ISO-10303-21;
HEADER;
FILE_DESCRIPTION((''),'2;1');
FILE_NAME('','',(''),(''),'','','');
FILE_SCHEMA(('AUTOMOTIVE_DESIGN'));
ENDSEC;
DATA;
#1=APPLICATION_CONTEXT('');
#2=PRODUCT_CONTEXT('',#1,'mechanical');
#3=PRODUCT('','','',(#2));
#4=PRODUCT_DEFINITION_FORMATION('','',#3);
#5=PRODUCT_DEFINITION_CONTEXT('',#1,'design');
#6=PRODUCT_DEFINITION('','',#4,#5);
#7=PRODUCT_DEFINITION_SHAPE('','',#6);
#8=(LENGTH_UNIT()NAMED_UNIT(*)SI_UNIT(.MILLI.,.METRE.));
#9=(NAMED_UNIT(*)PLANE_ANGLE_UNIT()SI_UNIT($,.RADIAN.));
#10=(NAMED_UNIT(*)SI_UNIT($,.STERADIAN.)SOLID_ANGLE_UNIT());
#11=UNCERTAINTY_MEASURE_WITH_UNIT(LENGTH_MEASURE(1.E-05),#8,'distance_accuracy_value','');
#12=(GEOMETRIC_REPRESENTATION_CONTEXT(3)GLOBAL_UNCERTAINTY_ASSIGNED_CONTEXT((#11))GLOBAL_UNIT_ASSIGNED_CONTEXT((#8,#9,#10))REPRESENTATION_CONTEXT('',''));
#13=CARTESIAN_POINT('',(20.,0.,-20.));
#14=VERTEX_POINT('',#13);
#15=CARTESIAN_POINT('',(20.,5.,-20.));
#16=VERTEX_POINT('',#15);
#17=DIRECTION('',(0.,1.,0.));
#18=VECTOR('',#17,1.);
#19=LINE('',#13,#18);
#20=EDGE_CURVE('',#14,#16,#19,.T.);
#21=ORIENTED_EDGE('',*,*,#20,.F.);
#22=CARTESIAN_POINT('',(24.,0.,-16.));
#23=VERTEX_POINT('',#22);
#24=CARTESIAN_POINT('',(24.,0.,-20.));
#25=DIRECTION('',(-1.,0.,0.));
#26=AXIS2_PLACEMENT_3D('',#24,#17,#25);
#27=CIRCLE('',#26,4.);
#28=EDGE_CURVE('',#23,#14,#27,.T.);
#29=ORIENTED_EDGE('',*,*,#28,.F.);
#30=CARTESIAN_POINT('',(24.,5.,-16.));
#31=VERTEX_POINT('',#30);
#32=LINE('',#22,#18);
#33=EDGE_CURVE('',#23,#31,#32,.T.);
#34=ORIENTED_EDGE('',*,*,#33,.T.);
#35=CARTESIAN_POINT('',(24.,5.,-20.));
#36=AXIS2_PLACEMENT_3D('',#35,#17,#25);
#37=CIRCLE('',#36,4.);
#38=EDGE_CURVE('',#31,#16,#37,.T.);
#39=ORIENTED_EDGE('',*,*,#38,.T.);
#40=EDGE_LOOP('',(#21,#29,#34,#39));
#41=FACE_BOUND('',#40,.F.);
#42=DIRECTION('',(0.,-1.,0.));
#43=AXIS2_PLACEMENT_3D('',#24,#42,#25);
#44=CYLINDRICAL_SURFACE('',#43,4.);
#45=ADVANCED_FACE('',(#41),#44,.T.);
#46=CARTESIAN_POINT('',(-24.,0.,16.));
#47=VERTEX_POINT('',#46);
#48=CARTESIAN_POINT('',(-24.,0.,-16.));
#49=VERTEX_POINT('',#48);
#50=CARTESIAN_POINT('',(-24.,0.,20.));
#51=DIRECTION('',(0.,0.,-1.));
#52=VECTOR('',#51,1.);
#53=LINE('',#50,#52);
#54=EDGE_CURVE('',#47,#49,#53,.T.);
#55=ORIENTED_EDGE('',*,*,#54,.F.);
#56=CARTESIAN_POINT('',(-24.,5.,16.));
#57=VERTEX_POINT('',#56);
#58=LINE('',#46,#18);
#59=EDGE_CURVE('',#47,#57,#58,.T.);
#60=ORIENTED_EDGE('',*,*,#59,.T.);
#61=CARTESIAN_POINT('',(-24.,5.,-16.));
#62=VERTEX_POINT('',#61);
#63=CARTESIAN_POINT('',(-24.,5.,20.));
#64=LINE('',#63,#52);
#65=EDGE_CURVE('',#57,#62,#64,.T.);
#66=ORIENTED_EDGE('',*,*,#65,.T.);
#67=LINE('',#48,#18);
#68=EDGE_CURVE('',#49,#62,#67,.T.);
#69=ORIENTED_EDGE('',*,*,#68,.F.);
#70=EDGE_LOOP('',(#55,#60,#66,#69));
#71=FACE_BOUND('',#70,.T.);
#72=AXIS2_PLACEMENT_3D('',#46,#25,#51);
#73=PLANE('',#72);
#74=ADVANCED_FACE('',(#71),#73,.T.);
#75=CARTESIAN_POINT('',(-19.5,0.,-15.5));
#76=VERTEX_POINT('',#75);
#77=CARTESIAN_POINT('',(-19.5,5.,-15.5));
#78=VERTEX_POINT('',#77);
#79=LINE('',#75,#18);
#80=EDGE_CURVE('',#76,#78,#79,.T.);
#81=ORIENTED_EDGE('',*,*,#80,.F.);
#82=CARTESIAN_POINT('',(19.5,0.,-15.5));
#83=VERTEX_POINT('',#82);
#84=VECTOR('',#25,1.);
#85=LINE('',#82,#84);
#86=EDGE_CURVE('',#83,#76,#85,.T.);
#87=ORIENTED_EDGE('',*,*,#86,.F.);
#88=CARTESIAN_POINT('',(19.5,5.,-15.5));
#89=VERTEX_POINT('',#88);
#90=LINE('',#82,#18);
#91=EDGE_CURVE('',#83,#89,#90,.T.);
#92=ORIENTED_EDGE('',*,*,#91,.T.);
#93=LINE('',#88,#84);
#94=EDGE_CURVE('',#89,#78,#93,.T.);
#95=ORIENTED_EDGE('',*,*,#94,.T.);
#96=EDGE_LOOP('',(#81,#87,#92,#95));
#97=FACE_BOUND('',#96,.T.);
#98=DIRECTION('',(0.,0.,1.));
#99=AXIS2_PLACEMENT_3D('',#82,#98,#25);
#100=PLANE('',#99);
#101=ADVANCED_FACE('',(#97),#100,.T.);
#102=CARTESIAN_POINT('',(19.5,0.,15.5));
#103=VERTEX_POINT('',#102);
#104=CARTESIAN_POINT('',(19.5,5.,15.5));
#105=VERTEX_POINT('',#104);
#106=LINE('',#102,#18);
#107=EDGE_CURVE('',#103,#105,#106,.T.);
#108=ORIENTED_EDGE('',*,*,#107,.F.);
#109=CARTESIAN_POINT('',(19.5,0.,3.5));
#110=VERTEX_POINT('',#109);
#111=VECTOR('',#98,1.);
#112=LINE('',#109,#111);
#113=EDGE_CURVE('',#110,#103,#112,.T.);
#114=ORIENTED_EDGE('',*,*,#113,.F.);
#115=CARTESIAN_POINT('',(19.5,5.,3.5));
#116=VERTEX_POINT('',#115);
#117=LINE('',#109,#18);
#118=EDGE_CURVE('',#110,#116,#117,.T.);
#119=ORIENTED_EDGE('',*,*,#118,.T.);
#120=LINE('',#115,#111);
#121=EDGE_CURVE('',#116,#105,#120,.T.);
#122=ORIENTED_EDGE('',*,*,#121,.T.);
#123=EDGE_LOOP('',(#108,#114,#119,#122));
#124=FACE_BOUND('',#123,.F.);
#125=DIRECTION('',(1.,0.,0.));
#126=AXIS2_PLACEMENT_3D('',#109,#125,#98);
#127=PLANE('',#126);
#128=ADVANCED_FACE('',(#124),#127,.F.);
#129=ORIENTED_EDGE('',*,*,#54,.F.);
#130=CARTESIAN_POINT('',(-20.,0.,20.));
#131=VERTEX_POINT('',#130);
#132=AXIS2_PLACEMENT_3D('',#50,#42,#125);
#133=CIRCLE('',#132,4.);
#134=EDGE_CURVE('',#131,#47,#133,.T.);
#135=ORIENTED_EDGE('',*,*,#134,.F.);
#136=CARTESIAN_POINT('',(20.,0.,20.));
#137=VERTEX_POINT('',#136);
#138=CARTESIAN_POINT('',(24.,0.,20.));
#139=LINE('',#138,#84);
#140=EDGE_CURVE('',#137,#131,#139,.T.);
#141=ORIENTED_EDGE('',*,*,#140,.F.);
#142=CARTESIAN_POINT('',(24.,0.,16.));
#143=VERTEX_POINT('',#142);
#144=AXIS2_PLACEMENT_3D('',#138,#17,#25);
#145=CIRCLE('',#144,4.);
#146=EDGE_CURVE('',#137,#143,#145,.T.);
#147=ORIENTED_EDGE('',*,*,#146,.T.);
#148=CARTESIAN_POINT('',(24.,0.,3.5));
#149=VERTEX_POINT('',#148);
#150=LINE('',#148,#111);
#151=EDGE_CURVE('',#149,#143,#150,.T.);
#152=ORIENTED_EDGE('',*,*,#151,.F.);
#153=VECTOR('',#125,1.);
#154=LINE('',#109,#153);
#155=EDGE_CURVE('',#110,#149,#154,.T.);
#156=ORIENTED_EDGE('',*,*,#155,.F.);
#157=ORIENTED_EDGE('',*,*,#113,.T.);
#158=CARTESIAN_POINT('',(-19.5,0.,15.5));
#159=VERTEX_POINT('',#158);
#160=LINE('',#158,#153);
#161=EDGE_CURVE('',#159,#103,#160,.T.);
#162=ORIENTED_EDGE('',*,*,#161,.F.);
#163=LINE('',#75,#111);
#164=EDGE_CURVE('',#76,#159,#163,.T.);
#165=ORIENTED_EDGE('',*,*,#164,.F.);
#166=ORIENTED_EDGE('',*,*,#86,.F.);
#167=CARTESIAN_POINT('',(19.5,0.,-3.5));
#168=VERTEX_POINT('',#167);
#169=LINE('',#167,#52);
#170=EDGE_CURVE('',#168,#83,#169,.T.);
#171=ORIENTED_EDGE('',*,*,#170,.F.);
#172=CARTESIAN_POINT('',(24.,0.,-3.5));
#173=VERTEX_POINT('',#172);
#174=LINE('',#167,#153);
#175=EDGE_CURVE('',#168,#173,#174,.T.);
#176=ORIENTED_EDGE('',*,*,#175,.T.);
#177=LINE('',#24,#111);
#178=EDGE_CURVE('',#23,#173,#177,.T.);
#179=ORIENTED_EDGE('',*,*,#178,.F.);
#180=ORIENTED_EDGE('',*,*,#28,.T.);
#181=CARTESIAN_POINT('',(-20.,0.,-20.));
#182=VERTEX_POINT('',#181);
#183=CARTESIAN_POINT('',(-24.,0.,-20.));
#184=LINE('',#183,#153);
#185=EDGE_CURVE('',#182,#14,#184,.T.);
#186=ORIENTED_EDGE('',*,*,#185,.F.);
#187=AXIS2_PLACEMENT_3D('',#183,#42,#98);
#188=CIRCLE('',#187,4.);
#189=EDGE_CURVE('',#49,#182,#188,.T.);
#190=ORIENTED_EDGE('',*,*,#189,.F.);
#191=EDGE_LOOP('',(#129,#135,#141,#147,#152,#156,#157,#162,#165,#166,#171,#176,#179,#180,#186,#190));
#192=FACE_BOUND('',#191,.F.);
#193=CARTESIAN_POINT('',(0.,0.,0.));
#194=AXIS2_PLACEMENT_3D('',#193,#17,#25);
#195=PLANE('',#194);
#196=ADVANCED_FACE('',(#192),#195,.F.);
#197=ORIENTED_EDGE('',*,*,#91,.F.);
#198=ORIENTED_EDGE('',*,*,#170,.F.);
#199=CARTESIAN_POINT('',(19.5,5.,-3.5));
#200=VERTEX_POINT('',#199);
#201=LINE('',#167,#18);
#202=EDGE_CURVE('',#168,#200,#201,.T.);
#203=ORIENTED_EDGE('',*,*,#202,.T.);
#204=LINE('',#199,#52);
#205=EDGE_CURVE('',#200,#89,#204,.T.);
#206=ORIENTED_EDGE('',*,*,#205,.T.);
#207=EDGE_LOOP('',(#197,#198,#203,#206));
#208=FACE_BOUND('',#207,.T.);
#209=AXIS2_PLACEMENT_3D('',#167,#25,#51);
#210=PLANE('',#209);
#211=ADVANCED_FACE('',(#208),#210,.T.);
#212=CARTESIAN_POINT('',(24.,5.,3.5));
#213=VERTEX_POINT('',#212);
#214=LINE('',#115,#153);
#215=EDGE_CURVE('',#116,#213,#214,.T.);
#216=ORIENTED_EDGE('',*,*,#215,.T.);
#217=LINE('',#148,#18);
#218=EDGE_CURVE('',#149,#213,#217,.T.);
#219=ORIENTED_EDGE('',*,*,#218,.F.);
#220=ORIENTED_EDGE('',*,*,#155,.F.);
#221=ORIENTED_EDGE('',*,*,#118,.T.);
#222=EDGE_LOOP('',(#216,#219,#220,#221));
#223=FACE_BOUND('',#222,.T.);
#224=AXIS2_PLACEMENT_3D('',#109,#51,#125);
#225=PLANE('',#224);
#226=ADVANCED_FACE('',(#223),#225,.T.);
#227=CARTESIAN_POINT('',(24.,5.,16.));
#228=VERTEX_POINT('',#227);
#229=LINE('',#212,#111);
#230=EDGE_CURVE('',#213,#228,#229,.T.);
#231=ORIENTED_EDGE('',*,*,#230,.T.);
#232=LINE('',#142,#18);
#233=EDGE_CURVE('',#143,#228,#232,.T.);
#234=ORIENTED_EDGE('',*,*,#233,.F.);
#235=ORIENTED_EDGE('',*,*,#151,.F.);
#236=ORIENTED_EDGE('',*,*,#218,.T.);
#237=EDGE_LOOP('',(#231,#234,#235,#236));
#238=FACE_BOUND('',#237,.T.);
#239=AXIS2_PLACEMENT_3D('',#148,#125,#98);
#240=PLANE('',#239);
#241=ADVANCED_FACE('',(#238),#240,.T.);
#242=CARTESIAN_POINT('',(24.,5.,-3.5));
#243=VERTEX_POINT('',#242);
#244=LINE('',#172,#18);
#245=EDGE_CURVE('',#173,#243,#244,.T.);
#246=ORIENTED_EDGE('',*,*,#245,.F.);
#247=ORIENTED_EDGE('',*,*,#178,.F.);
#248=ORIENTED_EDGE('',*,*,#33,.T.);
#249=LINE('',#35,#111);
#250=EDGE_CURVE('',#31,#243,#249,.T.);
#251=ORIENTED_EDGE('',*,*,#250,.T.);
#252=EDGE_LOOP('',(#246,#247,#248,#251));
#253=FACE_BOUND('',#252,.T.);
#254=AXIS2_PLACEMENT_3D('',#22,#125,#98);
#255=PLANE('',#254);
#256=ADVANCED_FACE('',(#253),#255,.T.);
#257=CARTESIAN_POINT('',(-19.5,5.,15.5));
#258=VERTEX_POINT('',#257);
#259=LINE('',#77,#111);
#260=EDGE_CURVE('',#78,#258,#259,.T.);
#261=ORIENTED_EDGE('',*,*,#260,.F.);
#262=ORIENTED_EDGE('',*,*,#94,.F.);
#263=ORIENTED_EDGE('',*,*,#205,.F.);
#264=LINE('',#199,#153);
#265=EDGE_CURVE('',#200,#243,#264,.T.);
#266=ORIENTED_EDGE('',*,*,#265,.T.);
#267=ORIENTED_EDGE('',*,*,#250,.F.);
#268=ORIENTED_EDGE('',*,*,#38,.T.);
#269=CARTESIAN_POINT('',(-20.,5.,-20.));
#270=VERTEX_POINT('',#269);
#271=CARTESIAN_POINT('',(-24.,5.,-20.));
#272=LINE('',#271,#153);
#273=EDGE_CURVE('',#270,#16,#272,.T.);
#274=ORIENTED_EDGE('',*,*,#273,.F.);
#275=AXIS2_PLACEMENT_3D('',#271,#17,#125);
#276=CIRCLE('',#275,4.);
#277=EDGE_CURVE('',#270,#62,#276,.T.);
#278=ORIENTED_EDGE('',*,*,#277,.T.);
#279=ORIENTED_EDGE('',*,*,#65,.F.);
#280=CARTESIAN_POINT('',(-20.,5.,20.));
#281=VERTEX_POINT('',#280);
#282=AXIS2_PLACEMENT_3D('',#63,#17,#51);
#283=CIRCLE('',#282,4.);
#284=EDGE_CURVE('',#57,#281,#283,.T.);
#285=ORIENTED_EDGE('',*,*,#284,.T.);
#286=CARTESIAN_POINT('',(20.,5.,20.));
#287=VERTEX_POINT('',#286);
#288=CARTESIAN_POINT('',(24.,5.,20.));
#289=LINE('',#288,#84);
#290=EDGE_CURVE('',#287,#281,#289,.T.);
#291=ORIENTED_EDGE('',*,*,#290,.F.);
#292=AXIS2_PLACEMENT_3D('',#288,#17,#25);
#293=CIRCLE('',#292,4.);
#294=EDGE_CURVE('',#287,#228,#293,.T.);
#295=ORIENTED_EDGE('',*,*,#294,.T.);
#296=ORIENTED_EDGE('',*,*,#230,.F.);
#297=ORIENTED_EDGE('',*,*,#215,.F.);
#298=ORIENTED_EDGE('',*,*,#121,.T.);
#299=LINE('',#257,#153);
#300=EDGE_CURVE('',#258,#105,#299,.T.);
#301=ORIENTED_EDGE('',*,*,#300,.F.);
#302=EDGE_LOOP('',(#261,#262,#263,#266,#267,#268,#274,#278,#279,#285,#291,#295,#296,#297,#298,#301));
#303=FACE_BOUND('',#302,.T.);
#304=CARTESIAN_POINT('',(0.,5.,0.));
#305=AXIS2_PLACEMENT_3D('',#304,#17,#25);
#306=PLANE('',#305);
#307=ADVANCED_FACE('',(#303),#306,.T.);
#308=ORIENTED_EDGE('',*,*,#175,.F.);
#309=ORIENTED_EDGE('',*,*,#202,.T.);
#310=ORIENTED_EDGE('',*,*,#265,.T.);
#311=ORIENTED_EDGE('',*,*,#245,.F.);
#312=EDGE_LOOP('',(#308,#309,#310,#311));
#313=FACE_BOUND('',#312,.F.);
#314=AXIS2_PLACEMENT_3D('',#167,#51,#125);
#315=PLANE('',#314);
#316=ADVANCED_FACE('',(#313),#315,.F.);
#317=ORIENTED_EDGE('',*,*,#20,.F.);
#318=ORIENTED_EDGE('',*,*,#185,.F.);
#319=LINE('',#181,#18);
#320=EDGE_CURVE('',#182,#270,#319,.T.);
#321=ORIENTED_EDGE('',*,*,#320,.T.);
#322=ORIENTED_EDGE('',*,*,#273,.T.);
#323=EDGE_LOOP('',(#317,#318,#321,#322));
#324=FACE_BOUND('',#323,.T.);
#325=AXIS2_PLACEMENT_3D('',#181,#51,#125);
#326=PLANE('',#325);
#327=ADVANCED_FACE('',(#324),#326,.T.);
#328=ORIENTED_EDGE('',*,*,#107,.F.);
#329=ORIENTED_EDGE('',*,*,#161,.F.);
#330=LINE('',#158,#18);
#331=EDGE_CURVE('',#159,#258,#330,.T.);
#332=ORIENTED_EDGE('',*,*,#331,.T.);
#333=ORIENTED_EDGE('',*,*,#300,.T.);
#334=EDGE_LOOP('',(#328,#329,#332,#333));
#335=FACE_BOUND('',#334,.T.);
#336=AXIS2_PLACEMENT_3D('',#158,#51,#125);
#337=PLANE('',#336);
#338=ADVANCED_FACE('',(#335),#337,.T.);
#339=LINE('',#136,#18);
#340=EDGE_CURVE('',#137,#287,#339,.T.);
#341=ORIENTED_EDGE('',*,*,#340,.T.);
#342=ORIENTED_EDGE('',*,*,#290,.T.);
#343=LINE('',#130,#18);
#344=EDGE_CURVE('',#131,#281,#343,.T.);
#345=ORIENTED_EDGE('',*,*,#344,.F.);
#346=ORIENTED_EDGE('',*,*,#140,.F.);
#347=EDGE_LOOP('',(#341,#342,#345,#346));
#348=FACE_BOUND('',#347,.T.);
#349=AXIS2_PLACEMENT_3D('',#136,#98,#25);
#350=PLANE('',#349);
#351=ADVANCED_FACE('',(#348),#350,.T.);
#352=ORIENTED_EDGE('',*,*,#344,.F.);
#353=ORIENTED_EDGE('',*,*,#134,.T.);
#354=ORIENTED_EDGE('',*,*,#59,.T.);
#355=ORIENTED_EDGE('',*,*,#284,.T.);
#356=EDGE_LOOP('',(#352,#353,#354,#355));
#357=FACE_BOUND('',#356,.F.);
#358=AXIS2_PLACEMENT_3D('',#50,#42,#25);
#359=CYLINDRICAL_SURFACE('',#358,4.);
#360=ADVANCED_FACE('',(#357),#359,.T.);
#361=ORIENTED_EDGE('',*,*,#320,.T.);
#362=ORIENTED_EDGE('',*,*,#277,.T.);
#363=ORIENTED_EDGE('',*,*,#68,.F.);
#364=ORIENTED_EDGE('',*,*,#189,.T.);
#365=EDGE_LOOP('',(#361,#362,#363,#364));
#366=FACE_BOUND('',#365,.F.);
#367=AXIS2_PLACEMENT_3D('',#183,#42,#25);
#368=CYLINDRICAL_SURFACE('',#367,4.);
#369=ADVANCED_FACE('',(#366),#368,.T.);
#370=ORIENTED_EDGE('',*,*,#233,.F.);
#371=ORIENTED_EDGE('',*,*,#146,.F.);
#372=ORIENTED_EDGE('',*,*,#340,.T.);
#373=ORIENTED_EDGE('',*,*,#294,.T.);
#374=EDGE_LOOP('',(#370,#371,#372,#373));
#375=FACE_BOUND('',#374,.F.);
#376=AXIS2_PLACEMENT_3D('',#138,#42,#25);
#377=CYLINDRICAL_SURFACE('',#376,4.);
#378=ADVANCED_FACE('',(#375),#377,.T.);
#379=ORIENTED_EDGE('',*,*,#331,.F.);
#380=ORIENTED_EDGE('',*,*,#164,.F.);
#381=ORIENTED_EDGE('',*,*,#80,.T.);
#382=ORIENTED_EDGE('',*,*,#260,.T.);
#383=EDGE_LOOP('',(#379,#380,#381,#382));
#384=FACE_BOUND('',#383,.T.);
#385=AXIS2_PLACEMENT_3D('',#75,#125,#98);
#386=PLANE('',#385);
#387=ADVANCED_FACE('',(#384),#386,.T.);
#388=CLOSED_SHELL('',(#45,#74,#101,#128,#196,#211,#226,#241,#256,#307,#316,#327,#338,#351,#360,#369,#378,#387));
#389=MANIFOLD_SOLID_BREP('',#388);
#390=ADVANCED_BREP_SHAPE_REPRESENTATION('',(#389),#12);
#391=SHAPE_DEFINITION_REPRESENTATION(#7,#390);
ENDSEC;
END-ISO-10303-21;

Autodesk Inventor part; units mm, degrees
ref_plane "YZ Plane" through (0, 0, 0) normal (1, 0, 0) x (0, 1, 0)
ref_plane "XZ Plane" through (0, 0, 0) normal (0, 1, 0) x (-1, 0, 0)
ref_plane "XY Plane" through (0, 0, 0) normal (0, 0, 1) x (1, 0, 0)
sketch "Sketch1" plane through (0, 0, 0) normal (0, 1, 0) x (-1, 0, 0)
  line L0 (19.5, 15.5) -> (-19.5, 15.5)
  line L1 (-19.5, -15.5) -> (19.5, -15.5)
  line L2 (19.5, -15.5) -> (19.5, 15.5)
  line L3 (24, -20) -> (-24, -20)
  line L4 (-24, 20) -> (24, 20)
  line L5 (24, 20) -> (24, -20)
  line L6 (-19.5, -3.5) -> (-24, -3.5)
  line L7 (-19.5, 3.5) -> (-24, 3.5)
  line L8 (-19.5, -3.5) -> (-19.5, -15.5)
  line L9 (-24, -20) -> (-24, -3.5)
  line L10 (-24, 3.5) -> (-24, 20)
  line L11 (-19.5, 3.5) -> (-19.5, 15.5)
  circle A0 centre (24, -20) radius 4
  circle A1 centre (24, 20) radius 4
  circle A2 centre (-24, 20) radius 4
  circle A3 centre (-24, -20) radius 4
  point P0 (0, 0)
  point P1 (0, -15.5)
  point P2 (19.5, 0)
  point P3 (0, 20)
  point P4 (24, 0)
  dimension "d0" = 39
  dimension "d1" = 31
  dimension "d2" = 4.5
  dimension "d25" = 4.5
  dimension "d27" = 4.5
  dimension "d28" = 16.5
  dimension "d29" = 8
  dimension "d30" = 8
  dimension "d31" = 8
  dimension "d32" = 8
extrude "Extrusion1" add sketch "Sketch1" along normal blind 5
sketch "Sketch2" plane through (0, 0, 0) normal (0, -1, 0) x (1, 0, 0)
  line L0 (-19.5, -15.5) -> (-19.5, 15.5) projected
  line L1 (-19.5, 15.5) -> (19.5, 15.5) projected
  line L2 (19.5, -15.5) -> (-19.5, -15.5) projected
  line L3 (24, -16) -> (24, -3.5) projected
  line L4 (20, 20) -> (-20, 20) projected
  line L5 (-24, 16) -> (-24, -16) projected
  line L6 (-20, -20) -> (20, -20) projected
  line L7 (19.5, -15.5) -> (-19.5, -15.5) construction
  line L8 (-40, 34) -> (40, 34) construction
  line L9 (40, 34) -> (40, -34) construction
  line L10 (40, -34) -> (-40, -34) construction
  line L11 (-40, -34) -> (-40, 34) construction
  line L12 (-40, 34) -> (-19.5, 15.5) construction
  line L13 (-40, -34) -> (-19.5, -15.5) construction
  line L14 (40, -34) -> (20, -15) construction
  line L15 (22, 18) -> (40, 34) construction
  line L16 (24, -3.5) -> (19.5, -3.5) projected
  line L17 (19.5, -3.5) -> (19.5, -15.5) projected
  line L18 (19.5, 3.5) -> (24, 3.5) projected
  line L19 (24, 3.5) -> (24, 16) projected
  line L20 (19.5, 15.5) -> (19.5, 3.5) projected
  arc A0 (-20, 20) -> (-24, 16) centre (-24, 20) ccw projected
  arc A1 (-24, -16) -> (-20, -20) centre (-24, -20) ccw projected
  arc A2 (20, -20) -> (24, -16) centre (24, -20) ccw projected
  arc A3 (24, 16) -> (20, 20) centre (24, 20) ccw projected
  point P0 (0, 0)
  point P1 (-40, 0)
  point P2 (0, 34)
  point P3 (-29.75, -24.75)
  point P4 (30, -24.5)
  point P5 (31, 26)
  point P6 (-29.75, 24.75)
  dimension "d14" = 54
  dimension "d15" = 64
hole "Hole1" [suppressed]
sketch "Sketch3" plane through (0, 0, 0) normal (0, -1, 0) x (1, 0, 0)
  point P0 (0, 0)
properties part number "cubierta2"
